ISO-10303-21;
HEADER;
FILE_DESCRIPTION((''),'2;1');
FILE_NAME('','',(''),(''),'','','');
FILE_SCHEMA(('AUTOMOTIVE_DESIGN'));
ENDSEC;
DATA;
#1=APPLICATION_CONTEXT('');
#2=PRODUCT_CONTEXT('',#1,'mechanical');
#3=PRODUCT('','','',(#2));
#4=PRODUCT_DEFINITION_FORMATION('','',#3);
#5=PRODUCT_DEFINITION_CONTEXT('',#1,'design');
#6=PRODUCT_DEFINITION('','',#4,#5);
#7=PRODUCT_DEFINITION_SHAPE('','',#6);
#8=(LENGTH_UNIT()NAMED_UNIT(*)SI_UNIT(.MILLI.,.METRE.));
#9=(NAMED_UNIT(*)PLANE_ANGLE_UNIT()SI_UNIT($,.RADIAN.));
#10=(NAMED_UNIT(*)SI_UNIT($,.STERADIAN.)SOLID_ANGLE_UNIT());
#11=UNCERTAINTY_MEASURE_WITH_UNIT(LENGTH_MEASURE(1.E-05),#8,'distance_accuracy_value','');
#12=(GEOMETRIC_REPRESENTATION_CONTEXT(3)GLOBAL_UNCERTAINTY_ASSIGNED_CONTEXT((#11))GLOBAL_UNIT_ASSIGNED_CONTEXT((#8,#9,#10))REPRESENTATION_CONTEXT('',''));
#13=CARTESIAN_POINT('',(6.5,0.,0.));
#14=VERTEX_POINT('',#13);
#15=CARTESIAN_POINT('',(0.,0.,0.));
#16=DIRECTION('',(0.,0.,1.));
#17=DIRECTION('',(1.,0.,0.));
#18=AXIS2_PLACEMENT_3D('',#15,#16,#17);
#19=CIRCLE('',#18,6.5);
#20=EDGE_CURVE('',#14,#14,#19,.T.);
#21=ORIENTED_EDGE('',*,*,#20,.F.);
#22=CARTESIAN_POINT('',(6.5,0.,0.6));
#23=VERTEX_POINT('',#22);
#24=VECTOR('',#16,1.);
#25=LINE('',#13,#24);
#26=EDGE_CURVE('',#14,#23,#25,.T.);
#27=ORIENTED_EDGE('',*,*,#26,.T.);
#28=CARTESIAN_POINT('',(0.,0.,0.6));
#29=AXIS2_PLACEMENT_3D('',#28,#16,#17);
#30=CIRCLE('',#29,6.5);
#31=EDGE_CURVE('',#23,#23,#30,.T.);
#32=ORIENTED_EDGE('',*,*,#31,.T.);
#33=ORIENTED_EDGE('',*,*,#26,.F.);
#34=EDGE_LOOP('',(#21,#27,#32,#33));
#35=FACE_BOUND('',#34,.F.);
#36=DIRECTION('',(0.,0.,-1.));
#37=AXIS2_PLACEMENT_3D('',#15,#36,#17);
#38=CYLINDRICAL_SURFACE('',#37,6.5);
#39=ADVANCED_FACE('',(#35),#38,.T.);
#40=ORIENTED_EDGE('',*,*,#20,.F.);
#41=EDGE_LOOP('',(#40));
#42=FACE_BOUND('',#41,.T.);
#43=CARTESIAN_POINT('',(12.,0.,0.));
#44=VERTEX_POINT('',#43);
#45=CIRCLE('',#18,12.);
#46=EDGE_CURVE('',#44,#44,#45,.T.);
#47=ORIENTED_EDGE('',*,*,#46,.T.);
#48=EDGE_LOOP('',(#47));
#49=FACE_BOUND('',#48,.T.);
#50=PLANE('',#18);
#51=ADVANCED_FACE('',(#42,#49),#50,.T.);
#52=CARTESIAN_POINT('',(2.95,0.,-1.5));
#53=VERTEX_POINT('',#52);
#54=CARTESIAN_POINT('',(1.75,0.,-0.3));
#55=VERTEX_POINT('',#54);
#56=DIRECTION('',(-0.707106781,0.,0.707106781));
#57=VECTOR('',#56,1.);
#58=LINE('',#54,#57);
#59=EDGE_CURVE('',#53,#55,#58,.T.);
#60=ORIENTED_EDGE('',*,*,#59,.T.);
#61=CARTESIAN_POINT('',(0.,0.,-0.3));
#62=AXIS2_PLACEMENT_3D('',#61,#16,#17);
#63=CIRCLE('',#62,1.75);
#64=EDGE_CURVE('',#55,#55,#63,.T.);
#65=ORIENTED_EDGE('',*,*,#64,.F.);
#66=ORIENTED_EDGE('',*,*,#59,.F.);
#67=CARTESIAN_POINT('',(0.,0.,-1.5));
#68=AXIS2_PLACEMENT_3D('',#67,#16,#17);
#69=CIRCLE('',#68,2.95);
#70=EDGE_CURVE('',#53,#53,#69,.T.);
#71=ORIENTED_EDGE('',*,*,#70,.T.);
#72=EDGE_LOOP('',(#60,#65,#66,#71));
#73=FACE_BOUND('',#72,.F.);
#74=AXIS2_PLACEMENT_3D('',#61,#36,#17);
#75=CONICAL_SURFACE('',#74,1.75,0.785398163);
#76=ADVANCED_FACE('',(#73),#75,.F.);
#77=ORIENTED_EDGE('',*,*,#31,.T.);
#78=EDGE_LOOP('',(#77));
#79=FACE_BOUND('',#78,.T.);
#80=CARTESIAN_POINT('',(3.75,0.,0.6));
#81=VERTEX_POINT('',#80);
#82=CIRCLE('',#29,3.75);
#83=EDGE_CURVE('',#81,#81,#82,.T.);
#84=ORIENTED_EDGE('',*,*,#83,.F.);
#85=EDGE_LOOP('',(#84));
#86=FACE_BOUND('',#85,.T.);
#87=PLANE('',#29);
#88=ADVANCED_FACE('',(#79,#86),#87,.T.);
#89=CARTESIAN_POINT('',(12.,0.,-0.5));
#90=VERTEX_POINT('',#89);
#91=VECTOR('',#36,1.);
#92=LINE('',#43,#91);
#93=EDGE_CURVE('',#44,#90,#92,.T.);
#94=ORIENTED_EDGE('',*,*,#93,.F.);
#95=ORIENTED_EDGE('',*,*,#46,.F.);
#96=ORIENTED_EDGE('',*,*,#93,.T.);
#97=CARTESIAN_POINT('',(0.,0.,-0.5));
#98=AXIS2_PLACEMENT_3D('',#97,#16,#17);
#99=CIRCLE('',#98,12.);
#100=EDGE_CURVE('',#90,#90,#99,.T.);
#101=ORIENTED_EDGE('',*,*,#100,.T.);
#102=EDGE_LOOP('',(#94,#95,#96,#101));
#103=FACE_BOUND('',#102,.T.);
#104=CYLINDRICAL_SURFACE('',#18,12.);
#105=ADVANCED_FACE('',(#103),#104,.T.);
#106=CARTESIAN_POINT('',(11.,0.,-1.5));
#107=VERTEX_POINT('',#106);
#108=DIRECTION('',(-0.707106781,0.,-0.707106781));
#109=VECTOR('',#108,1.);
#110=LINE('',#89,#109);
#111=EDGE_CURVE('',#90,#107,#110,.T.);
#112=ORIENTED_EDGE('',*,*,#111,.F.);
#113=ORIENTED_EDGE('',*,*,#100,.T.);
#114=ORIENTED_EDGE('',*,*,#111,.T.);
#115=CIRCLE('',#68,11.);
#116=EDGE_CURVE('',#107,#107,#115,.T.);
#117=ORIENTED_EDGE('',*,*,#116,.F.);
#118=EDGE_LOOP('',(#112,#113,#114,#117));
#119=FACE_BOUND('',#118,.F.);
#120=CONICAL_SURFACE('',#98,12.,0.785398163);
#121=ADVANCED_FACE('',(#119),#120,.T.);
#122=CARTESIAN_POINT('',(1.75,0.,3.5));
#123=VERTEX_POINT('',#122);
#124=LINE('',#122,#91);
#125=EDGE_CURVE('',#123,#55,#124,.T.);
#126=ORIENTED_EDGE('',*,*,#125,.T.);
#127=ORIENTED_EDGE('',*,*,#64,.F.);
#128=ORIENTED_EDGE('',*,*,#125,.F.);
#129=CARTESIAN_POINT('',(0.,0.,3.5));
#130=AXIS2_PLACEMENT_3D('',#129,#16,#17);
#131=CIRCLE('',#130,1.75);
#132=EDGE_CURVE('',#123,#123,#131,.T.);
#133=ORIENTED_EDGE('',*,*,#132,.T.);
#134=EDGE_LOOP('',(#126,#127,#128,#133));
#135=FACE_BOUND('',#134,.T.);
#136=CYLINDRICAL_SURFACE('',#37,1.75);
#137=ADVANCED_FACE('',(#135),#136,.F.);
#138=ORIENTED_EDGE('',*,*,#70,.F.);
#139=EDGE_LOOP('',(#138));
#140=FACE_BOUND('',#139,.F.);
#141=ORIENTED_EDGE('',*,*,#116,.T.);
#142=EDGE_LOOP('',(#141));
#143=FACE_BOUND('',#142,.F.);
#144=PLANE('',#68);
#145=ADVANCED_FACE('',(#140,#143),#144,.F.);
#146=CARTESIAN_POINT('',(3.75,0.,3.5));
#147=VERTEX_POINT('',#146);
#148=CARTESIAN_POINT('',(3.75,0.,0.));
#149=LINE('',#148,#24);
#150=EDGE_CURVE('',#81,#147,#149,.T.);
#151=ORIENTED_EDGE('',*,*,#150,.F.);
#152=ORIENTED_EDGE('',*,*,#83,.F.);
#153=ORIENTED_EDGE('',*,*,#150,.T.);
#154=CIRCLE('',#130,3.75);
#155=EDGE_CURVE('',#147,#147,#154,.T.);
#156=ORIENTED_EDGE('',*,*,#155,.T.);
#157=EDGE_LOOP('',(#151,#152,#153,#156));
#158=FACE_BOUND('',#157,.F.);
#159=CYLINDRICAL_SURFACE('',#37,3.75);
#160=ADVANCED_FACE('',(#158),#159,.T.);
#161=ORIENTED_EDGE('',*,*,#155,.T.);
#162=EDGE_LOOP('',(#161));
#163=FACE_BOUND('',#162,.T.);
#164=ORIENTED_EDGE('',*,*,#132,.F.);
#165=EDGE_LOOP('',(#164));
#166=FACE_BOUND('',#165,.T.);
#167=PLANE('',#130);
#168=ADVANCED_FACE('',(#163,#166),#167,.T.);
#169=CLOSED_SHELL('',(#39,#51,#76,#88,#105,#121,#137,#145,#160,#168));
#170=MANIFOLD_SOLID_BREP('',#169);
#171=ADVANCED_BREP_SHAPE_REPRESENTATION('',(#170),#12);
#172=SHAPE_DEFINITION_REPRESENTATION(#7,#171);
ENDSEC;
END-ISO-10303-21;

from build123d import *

# Parameters (mm, degrees)
F0_R     = 12
F0_R_2   = 6.5
F0_R_3   = 3.75
F0_R_4   = 1.75
F1_DEPTH = 1.5
F2_DEPTH = 3.5
F3_DEPTH = 0.6
F4_SIZE  = 1
F5_SIZE  = 1.2


with BuildPart() as f1:
    # F0 (on Top) → F1 (new body)
    with BuildSketch(Plane.XY):
        Circle(F0_R)
        Circle(F0_R_2, mode=Mode.SUBTRACT)
        Circle(F0_R_2)
        Circle(F0_R_3, mode=Mode.SUBTRACT)
        Circle(F0_R_3)
        Circle(F0_R_4, mode=Mode.SUBTRACT)
    extrude(amount=-F1_DEPTH)

    # F0 (on Top) → F2 (join)
    with BuildSketch(Plane.XY):
        Circle(F0_R_3)
        Circle(F0_R_4, mode=Mode.SUBTRACT)
    extrude(amount=F2_DEPTH)

    # F0 (on Top) → F3 (join)
    with BuildSketch(Plane.XY):
        Circle(F0_R_2)
        Circle(F0_R_3, mode=Mode.SUBTRACT)
    extrude(amount=F3_DEPTH)

    # F4
    f4_edges = [f1.edges().sort_by_distance(p)[0] for p in [
        (-12, 0, -1.5),
    ]]
    chamfer(f4_edges, length=F4_SIZE)

    # F5
    f5_edges = [f1.edges().sort_by_distance(p)[0] for p in [
        (-1.75, 0, -1.5),
    ]]
    chamfer(f5_edges, length=F5_SIZE)


solid = f1.part
